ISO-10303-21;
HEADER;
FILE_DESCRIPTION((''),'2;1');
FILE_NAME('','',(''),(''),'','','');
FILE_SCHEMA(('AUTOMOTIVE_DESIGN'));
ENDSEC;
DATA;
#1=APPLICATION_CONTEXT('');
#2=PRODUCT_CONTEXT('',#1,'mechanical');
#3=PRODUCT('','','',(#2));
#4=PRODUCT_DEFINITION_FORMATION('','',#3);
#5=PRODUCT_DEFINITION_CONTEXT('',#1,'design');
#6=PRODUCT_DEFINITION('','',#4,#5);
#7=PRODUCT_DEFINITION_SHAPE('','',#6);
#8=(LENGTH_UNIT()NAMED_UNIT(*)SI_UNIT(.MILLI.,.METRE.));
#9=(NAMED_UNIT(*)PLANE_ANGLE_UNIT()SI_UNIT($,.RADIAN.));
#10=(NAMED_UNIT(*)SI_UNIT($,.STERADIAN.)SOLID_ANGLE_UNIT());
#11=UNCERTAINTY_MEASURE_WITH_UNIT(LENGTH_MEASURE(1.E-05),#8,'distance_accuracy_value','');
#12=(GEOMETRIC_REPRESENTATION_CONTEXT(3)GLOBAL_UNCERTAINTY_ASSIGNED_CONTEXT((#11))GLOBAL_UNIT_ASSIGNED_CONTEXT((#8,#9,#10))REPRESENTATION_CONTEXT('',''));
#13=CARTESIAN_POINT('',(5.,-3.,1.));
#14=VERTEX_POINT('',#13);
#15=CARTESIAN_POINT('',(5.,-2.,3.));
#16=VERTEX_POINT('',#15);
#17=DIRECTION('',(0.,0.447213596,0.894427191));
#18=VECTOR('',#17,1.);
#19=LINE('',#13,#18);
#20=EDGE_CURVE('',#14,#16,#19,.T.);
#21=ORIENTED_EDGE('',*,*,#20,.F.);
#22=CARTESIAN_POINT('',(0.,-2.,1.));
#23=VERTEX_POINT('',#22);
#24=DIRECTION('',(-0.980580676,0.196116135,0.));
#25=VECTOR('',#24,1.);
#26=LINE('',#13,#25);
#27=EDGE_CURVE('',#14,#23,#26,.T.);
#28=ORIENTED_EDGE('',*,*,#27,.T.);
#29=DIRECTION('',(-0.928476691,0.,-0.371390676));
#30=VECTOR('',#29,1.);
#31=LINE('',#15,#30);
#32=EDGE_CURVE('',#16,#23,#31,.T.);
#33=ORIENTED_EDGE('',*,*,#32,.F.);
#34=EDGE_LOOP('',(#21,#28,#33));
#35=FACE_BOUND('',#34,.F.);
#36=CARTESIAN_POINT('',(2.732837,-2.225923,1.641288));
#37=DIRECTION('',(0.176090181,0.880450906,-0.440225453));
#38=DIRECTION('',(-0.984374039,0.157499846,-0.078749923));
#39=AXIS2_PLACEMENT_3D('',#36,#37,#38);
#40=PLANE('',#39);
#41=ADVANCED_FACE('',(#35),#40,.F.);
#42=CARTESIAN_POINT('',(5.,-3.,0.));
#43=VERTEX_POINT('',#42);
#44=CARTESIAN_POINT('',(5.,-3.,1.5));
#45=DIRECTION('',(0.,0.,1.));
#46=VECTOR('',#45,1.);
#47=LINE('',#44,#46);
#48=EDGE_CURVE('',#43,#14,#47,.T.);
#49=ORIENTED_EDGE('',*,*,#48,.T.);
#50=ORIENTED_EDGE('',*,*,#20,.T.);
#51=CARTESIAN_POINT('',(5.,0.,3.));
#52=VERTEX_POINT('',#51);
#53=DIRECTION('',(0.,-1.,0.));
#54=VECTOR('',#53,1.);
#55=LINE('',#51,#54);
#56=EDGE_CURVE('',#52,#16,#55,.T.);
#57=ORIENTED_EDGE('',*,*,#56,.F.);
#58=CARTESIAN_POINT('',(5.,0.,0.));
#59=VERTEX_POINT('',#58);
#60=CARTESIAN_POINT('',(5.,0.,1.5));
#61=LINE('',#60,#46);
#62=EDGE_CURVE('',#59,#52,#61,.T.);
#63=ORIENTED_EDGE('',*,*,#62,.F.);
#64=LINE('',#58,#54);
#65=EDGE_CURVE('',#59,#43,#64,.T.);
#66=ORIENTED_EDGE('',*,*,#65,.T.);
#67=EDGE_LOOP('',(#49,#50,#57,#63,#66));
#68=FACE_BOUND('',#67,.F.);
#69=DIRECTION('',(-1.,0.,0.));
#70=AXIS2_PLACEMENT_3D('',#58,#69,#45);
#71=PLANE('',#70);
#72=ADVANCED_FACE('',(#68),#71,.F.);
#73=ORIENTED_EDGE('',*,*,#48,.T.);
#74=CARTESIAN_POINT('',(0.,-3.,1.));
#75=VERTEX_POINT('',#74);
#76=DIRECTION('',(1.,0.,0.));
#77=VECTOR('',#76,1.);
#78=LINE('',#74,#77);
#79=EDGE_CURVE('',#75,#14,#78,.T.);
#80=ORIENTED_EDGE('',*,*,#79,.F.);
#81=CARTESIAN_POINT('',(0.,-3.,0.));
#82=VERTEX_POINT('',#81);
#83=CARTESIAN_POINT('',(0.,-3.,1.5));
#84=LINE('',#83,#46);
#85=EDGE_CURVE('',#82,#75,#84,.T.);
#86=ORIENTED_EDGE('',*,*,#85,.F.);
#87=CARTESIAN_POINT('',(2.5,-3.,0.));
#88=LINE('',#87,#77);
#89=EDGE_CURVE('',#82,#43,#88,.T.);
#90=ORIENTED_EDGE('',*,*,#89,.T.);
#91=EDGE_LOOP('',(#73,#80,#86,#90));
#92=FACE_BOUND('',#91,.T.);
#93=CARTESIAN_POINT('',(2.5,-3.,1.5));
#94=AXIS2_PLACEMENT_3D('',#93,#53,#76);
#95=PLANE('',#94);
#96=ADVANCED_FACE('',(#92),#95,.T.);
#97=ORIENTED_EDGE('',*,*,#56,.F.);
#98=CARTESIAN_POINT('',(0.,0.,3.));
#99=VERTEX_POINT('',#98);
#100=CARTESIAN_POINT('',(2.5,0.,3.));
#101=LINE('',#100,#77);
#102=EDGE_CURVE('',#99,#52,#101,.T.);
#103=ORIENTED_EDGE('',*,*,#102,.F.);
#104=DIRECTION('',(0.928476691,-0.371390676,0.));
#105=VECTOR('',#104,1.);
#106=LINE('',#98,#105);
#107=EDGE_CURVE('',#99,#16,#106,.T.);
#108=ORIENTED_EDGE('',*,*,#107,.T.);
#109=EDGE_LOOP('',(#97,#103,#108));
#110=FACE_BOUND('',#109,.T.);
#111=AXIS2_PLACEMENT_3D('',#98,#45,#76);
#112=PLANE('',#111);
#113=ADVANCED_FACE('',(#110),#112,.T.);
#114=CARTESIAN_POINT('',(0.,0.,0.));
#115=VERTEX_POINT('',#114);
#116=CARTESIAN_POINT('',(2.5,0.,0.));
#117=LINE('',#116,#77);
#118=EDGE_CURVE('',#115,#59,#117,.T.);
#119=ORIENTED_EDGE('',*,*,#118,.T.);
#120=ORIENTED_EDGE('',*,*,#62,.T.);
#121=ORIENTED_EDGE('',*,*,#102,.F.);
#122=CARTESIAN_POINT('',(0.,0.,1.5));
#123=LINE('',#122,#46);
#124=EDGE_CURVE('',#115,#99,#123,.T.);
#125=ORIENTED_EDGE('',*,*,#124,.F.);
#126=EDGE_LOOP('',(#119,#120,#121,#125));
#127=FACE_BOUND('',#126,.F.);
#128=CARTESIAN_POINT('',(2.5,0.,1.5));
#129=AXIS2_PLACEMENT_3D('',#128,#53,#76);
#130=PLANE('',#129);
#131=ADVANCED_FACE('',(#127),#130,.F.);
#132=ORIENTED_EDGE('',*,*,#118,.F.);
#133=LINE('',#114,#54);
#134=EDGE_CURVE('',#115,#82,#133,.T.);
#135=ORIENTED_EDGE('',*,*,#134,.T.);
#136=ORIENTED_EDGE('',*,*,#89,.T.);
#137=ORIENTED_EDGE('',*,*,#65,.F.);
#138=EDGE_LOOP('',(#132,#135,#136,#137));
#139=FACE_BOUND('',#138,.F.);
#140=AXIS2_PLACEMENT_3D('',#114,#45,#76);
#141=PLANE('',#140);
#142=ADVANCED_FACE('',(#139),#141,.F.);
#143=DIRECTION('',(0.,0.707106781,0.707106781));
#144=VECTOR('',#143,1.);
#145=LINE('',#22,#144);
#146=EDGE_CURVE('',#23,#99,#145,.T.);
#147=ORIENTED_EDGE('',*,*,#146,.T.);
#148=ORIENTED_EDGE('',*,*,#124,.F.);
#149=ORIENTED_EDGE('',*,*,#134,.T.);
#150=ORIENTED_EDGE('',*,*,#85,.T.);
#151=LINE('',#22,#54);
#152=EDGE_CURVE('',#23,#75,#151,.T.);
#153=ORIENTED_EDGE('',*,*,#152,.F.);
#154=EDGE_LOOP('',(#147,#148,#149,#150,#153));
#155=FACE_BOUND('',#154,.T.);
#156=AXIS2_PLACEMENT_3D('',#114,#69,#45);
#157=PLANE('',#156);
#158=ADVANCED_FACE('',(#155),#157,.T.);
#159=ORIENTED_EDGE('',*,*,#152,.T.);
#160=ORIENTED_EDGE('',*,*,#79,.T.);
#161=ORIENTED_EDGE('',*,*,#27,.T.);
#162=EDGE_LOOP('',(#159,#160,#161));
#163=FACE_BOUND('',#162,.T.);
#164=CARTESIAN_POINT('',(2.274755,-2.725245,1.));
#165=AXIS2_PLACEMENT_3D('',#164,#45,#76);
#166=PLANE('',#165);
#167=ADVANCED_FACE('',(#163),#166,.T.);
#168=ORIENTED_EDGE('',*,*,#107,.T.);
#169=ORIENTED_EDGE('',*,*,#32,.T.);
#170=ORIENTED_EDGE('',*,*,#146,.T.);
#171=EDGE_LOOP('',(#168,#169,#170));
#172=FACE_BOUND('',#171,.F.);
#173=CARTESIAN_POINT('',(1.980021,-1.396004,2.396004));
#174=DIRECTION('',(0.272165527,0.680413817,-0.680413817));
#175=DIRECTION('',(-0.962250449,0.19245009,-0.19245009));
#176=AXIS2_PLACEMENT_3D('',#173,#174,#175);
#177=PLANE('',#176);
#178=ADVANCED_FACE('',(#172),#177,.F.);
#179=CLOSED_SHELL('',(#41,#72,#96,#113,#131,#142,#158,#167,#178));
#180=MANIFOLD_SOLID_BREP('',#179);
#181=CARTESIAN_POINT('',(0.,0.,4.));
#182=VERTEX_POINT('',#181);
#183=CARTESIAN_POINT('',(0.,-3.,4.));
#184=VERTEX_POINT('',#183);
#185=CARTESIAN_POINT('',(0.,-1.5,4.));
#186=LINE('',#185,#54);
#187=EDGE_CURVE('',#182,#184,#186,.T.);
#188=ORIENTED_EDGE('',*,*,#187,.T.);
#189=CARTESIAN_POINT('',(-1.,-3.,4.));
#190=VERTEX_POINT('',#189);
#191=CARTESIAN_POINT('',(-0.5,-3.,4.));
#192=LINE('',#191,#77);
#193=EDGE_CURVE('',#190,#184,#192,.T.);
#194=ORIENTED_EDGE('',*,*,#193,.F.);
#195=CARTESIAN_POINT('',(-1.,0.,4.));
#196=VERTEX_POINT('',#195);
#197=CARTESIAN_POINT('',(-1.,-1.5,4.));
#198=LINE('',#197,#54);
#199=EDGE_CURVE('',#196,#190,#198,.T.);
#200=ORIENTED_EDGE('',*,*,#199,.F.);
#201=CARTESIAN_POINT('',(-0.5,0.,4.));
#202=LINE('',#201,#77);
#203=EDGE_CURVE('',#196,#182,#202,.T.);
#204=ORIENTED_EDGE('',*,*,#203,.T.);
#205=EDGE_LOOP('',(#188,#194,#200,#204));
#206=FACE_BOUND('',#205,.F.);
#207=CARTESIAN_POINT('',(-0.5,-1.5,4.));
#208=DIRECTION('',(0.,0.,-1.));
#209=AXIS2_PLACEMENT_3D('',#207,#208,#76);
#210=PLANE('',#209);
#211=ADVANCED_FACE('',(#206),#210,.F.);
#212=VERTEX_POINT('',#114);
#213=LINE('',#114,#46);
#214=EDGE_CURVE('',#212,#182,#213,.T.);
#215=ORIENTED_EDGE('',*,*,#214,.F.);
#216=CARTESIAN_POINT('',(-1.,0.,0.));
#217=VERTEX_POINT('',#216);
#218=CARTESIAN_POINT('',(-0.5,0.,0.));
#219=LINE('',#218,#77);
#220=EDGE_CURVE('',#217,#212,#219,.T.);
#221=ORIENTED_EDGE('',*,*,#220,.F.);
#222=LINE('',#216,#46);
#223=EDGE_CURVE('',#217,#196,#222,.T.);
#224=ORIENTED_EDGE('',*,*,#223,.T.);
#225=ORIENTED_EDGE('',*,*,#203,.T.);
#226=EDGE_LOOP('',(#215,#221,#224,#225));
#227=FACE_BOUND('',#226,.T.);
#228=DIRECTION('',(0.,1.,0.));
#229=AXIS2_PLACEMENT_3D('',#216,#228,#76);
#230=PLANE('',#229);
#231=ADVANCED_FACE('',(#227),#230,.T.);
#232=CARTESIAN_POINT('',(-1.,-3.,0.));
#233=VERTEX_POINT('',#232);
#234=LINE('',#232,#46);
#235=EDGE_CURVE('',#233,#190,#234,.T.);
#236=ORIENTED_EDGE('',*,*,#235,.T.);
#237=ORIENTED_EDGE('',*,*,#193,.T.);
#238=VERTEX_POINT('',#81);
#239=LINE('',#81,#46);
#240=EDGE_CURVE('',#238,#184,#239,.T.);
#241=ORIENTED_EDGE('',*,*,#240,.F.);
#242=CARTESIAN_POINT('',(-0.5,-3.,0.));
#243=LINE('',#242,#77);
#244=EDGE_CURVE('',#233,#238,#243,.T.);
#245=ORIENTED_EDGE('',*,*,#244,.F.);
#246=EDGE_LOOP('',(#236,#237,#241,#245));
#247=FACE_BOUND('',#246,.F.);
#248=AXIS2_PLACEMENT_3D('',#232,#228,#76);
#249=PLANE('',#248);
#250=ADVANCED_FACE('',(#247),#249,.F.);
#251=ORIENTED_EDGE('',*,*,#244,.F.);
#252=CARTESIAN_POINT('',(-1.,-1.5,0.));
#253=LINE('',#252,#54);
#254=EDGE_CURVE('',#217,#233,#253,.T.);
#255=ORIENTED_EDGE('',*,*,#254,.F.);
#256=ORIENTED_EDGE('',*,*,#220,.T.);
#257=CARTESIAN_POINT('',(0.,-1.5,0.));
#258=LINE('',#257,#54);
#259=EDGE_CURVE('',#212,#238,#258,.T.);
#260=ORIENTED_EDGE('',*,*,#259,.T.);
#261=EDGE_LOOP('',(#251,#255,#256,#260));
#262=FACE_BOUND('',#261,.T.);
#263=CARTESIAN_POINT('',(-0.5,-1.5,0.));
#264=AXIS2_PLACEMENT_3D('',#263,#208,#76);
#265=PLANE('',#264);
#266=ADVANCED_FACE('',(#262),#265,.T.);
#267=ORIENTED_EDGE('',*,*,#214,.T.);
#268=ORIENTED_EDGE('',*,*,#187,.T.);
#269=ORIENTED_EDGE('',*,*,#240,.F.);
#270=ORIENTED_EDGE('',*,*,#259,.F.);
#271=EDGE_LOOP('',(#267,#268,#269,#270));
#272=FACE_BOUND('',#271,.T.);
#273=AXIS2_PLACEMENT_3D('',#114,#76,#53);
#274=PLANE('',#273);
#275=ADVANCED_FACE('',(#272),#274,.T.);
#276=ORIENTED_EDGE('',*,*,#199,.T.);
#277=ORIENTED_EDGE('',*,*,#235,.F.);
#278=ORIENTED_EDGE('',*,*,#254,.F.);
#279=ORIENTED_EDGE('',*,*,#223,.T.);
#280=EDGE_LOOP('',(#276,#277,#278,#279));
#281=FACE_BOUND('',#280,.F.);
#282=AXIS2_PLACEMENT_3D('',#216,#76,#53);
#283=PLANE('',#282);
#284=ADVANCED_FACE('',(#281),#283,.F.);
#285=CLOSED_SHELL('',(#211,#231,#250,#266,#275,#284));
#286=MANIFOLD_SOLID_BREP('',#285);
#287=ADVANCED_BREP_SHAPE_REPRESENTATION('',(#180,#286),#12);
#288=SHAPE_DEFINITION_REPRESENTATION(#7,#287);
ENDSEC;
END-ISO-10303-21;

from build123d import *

# Parameters (mm, degrees)
F0_W      = 5
F0_H      = 3
F1_DEPTH  = 3
F3_DEPTH  = 2
F5_DEPTH  = 5
F8_DEPTH  = 25
F11_DEPTH = 25
F12_W     = 1
F12_H     = 3
F13_DEPTH = 4


with BuildPart() as f1:
    # F0 (on Front) → F1 (new body)
    with BuildSketch(Plane.XZ):
        with Locations((2.5, 1.5)):
            Rectangle(F0_W, F0_H)
    extrude(amount=F1_DEPTH)

    # F2 (on face) → F3 (cut)
    with BuildSketch(Plane.XY.offset(3)):
        Polygon((0, -2), (0, -3), (5, -3), align=None)
    extrude(amount=-F3_DEPTH, mode=Mode.SUBTRACT)

    # F4 (on face) → F5 (cut)
    with BuildSketch(Plane.YZ.offset(5)):
        Polygon((-2, 3), (-3, 3), (-3, 1), align=None)
    extrude(amount=-F5_DEPTH, mode=Mode.SUBTRACT)

    # F7 (on 3pt) → F8 (cut)
    with BuildSketch(Plane(origin=(-0.3875968992, -1.9379844961, 0.9689922481), x_dir=(-0.9843740387, 0.1574998462, -0.0787499231), z_dir=(0.1760901813, 0.8804509063, -0.4402254532))):
        Polygon((-5.4731196552, -0.4472135955), (-0.3937496155, 0), (0, 0.3081578172), (-5.4731196552, 1.788854382), align=None)
    extrude(amount=-F8_DEPTH, mode=Mode.SUBTRACT)

    # F10 (on 3pt) → F11 (cut)
    with BuildSketch(Plane(origin=(-0.5555555556, -1.3888888889, 1.3888888889), x_dir=(-0.9622504486, 0.1924500897, -0.1924500897), z_dir=(0.272165527, 0.6804138174, -0.6804138174))):
        Polygon((-0.5773502692, -0.7071067812), (-0.5773502692, 2.1213203436), (-5.7735026919, 0.7071067812), align=None)
    extrude(amount=-F11_DEPTH, mode=Mode.SUBTRACT)


with BuildPart() as f13:
    # F12 (on face) → F13 (new body)
    with BuildSketch(Plane(origin=(0, 0, 0), x_dir=(1, 0, 0), z_dir=(0, 0, -1))):
        with Locations((-0.5, 1.5)):
            Rectangle(F12_W, F12_H)
    extrude(amount=-F13_DEPTH)


solid = Compound([f1.part, f13.part])
